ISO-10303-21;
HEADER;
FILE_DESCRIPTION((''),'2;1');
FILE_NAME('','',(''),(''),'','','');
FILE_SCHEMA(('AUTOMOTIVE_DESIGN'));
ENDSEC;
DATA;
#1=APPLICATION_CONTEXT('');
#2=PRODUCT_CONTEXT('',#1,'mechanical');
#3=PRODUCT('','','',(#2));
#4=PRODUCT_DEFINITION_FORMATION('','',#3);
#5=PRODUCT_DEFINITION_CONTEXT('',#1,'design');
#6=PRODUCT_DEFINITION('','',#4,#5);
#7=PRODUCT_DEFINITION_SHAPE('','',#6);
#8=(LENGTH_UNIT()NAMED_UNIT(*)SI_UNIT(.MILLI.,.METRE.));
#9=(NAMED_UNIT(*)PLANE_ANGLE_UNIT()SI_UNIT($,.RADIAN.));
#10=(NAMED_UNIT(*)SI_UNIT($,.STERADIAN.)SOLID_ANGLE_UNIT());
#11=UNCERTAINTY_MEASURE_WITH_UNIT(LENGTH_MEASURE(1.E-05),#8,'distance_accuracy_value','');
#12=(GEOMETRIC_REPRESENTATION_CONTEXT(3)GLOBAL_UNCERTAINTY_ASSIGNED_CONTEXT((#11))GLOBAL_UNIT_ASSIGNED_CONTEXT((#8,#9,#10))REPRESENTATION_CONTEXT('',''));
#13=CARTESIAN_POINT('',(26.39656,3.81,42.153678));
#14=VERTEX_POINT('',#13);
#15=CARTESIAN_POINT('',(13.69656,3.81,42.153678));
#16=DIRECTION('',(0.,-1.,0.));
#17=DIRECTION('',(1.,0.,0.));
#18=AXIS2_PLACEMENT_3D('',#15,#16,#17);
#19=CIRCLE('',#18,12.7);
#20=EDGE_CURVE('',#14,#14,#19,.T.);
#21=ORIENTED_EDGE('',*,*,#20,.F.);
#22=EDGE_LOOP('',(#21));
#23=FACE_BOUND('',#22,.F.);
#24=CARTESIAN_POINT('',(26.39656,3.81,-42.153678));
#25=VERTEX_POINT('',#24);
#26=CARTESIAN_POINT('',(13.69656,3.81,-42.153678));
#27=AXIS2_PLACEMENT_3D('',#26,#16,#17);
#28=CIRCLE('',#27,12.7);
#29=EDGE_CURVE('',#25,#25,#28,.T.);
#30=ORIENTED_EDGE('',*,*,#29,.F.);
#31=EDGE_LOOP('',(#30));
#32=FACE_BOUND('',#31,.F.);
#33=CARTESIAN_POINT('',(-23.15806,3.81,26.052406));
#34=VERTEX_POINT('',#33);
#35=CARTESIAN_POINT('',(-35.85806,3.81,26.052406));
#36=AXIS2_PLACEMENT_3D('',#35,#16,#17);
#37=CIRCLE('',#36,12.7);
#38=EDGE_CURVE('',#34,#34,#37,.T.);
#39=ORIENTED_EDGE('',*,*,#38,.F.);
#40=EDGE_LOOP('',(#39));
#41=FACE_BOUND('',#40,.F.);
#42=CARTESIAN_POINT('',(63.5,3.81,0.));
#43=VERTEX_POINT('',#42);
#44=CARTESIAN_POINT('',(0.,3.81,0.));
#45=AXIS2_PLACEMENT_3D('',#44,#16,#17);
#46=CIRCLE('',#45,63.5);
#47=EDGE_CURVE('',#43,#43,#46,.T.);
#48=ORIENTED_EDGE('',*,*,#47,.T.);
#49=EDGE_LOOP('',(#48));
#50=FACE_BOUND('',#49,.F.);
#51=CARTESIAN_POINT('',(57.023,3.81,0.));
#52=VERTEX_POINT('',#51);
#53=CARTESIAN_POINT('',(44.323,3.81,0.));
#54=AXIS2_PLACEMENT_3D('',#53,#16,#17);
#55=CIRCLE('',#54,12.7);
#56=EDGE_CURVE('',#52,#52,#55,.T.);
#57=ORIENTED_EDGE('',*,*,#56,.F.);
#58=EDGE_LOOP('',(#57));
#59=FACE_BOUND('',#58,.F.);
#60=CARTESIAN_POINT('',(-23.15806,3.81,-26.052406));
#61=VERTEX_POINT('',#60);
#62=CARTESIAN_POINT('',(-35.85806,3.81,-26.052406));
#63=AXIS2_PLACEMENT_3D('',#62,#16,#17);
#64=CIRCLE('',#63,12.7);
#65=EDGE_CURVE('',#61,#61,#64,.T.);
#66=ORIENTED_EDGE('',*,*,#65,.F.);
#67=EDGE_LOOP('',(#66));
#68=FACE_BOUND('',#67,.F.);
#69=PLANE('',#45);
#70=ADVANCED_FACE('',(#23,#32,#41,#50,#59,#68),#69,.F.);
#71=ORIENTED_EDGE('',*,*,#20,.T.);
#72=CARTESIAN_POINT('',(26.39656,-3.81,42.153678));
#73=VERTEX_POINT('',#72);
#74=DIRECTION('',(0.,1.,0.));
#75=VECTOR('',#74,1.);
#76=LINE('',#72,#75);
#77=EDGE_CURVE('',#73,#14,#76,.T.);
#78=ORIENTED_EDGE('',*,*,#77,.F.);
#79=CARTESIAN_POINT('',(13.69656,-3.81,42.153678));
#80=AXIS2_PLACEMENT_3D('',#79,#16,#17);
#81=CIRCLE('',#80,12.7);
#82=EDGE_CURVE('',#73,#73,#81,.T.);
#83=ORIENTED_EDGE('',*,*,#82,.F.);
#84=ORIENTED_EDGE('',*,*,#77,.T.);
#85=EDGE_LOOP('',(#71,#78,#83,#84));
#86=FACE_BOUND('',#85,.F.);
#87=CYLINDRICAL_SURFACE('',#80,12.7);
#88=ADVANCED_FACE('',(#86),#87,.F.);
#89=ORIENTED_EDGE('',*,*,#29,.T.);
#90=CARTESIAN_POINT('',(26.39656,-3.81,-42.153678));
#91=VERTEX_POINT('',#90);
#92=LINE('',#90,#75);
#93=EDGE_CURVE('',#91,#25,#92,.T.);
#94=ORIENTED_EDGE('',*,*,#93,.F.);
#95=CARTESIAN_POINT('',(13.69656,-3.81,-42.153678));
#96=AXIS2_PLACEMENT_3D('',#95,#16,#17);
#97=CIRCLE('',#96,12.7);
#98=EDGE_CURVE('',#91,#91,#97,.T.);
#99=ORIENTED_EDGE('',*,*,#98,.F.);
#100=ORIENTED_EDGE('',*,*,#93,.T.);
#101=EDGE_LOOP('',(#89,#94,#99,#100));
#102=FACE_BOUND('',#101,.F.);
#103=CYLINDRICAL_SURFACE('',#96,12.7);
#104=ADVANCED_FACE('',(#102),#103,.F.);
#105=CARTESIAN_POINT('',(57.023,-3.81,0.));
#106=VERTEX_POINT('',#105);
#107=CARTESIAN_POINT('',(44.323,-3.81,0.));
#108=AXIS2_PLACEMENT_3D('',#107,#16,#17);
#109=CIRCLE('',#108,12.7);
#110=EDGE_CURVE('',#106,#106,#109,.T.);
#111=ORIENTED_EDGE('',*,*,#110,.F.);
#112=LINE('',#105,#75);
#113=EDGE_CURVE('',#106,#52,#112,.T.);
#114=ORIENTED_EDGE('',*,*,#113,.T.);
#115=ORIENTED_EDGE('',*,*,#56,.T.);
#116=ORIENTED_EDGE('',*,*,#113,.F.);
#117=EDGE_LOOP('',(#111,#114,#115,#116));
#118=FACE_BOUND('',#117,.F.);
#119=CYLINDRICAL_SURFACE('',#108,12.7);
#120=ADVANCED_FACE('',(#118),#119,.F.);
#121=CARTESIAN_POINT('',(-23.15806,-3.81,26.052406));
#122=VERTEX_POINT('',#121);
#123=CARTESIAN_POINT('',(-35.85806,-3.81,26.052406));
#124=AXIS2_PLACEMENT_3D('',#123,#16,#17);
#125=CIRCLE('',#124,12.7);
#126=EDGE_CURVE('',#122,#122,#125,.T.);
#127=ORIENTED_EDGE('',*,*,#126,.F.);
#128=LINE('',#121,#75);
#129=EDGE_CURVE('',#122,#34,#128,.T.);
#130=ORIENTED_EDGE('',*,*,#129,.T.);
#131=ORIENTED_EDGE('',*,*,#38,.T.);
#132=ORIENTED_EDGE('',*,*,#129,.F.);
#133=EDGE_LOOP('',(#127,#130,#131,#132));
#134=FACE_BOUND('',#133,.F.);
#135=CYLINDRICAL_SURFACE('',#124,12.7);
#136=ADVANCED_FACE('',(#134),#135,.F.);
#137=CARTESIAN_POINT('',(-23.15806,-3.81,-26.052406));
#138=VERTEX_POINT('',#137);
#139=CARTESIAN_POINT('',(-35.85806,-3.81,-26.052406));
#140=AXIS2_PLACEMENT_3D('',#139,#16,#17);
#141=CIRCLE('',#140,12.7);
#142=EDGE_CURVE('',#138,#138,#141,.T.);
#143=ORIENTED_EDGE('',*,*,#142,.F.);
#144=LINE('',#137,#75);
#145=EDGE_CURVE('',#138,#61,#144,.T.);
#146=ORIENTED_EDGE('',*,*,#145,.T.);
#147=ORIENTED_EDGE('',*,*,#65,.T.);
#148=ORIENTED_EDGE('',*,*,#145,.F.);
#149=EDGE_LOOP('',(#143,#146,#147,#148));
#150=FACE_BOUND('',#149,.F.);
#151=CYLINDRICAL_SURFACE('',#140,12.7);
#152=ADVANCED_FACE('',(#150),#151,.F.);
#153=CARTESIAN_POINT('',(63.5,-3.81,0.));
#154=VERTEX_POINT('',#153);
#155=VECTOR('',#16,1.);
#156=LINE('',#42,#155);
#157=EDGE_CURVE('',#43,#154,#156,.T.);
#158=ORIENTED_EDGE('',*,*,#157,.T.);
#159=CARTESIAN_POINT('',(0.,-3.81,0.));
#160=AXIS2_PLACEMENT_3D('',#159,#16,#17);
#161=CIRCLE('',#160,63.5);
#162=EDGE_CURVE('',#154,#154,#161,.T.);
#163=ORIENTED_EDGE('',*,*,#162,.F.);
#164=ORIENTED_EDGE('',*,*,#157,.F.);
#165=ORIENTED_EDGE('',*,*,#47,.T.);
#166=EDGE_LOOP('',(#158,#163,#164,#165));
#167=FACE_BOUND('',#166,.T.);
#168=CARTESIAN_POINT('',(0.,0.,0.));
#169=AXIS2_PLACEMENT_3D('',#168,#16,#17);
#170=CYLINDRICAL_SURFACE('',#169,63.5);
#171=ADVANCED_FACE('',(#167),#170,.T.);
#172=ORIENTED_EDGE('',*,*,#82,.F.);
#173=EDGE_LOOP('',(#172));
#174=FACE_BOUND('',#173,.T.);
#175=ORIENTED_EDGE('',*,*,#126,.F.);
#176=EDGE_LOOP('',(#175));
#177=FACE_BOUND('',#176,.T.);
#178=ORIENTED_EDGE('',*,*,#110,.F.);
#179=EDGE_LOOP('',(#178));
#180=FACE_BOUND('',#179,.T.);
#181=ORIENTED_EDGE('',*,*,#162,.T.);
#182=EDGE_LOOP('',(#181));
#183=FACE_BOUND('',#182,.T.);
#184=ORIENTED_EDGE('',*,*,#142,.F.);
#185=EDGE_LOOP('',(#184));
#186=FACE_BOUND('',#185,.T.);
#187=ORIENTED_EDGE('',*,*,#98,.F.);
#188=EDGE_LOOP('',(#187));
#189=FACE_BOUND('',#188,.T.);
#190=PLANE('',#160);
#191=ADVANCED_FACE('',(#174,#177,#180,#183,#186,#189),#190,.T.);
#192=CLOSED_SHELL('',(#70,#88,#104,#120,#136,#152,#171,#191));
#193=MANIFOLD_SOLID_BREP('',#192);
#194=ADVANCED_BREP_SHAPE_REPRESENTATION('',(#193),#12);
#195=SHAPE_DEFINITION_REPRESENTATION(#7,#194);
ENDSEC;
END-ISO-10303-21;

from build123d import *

# Parameters (mm, degrees)
F0_R     = 63.5
F1_DEPTH = 3.81
F2_R     = 12.7
F3_DEPTH = 7.621


with BuildPart() as f1:
    # F0 (on Front) → F1 (new body, symmetric)
    with BuildSketch(Plane.XZ):
        Circle(F0_R)
    extrude(amount=F1_DEPTH, both=True)

    # F2 (on face) → F3 (cut, through all)
    with BuildSketch(Plane.XZ.offset(3.81)):
        with Locations((-35.85806, 26.052406)):
            Circle(F2_R)
        with Locations((13.69656, 42.153678)):
            Circle(F2_R)
        with Locations((44.323, 0)):
            Circle(F2_R)
        with Locations((13.69656, -42.153678)):
            Circle(F2_R)
        with Locations((-35.85806, -26.052406)):
            Circle(F2_R)
    extrude(amount=-F3_DEPTH, mode=Mode.SUBTRACT)


solid = f1.part
